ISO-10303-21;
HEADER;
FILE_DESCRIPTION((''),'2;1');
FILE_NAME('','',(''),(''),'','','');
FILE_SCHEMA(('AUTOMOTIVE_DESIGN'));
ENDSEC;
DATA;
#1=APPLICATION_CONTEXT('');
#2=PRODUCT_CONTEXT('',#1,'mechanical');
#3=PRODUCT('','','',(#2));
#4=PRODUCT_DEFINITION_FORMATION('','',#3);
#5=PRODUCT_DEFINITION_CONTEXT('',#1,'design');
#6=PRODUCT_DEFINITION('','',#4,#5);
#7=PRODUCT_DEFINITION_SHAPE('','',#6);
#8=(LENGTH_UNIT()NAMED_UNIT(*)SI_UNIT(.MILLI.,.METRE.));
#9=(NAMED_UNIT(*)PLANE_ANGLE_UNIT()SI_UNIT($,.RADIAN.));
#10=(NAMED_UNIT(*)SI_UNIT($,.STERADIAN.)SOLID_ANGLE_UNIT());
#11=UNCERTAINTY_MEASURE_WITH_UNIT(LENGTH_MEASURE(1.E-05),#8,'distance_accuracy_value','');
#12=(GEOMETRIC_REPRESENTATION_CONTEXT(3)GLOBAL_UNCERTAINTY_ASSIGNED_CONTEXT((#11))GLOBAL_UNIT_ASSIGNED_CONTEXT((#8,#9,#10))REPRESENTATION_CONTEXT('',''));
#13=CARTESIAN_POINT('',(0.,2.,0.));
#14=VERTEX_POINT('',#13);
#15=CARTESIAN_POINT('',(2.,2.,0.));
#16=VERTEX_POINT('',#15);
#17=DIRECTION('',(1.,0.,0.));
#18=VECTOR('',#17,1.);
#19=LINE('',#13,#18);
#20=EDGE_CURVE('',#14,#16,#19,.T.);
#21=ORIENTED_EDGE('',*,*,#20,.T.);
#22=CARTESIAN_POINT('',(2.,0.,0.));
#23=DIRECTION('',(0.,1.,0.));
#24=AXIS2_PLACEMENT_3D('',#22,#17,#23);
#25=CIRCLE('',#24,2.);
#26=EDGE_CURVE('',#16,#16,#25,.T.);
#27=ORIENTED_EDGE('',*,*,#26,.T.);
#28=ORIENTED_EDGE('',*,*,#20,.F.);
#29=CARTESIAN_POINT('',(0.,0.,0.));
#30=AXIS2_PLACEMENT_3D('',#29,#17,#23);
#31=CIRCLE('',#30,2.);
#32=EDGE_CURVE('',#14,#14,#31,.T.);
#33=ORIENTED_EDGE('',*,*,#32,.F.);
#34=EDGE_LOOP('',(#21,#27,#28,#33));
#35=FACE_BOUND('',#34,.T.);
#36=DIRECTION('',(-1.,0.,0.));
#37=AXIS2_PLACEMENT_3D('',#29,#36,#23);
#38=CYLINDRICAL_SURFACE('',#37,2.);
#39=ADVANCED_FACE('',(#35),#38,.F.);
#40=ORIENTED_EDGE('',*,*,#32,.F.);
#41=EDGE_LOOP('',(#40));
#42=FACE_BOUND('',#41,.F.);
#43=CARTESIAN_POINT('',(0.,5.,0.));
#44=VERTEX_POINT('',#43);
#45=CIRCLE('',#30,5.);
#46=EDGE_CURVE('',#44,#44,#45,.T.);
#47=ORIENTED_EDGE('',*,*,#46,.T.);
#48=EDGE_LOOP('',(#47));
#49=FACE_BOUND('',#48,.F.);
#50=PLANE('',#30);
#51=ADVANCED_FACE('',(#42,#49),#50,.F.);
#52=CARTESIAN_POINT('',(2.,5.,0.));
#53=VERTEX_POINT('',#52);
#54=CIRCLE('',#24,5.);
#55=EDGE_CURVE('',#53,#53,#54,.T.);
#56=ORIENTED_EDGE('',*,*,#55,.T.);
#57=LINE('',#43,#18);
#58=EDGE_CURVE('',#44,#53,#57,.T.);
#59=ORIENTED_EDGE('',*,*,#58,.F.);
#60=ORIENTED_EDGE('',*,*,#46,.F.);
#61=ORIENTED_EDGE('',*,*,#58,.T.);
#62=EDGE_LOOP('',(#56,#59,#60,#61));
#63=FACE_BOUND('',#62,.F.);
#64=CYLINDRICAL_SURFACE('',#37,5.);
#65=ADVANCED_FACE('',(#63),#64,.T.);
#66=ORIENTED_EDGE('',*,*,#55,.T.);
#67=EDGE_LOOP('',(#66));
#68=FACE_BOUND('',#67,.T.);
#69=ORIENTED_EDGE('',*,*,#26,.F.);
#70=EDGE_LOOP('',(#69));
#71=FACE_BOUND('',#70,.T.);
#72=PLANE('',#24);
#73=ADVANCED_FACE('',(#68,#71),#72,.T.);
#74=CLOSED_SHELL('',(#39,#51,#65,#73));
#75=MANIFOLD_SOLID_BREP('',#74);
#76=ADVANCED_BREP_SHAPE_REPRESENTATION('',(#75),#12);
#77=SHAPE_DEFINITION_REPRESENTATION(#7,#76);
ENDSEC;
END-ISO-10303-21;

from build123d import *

# Parameters (mm, degrees)
F0_R     = 5
F0_R_2   = 2
F1_DEPTH = 2


with BuildPart() as f1:
    # F0 (on Right) → F1 (new body)
    with BuildSketch(Plane.YZ):
        Circle(F0_R)
        Circle(F0_R_2, mode=Mode.SUBTRACT)
    extrude(amount=F1_DEPTH)


solid = f1.part
